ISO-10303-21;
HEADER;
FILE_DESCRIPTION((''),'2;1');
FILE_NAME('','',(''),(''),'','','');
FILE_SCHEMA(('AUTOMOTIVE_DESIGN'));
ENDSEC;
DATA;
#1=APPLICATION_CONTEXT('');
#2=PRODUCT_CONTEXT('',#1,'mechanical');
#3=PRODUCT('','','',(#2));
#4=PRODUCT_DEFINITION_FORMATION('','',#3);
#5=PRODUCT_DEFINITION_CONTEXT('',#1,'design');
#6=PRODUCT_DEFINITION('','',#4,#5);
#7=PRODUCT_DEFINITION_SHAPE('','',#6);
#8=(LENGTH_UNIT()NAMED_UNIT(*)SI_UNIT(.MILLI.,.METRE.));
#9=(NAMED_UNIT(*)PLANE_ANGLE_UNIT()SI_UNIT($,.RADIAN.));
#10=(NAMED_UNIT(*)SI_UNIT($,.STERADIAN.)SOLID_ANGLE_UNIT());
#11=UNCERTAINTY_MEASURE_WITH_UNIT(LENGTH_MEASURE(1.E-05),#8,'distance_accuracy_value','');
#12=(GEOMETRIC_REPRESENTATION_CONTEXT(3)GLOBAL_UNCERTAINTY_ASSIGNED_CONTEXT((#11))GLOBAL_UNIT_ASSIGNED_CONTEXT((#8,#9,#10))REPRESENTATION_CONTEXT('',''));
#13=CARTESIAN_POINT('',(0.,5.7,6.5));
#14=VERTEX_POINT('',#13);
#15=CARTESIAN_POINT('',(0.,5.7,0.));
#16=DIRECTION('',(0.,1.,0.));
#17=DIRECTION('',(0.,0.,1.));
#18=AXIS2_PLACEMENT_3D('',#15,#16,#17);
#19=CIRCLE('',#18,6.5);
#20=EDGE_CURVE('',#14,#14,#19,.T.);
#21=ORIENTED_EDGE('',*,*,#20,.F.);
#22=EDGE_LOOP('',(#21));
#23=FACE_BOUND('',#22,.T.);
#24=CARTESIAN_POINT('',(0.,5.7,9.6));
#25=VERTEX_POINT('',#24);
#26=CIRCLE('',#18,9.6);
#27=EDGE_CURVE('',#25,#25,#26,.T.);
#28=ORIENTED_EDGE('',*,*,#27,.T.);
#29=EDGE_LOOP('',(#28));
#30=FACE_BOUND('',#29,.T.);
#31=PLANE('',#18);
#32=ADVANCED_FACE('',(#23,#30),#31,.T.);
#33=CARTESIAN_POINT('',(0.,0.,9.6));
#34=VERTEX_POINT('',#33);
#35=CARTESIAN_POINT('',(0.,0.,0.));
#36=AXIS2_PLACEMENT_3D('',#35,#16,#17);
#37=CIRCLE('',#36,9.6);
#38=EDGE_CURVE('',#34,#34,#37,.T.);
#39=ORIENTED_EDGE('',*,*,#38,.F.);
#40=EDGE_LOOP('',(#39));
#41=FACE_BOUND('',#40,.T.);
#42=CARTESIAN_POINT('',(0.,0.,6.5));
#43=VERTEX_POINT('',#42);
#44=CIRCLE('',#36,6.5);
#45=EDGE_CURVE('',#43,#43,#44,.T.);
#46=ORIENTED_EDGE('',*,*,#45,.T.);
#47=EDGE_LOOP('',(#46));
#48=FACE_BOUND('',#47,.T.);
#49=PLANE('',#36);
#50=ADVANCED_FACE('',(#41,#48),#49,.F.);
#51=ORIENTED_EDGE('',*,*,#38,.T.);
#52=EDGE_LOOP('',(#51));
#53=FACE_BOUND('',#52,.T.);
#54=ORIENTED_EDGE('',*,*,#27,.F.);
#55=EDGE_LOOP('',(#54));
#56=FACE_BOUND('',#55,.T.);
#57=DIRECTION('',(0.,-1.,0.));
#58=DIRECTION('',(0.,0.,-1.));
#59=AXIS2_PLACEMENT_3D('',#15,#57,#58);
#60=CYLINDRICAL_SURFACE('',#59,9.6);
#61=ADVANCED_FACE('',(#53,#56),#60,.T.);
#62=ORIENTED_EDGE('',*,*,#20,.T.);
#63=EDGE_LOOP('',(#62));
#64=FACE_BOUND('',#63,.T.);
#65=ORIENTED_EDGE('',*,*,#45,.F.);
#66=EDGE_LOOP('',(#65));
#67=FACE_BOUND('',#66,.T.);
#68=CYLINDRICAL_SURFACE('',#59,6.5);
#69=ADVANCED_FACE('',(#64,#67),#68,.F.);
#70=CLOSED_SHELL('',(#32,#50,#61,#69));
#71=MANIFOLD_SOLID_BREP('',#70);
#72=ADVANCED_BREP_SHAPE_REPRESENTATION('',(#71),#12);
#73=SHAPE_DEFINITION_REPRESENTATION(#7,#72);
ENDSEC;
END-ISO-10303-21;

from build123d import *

# Parameters (mm, degrees)
SKETCH1_R           = 9.6
SKETCH1_R_2         = 6.5
BOSS_EXTRUDE1_DEPTH = 5.7


with BuildPart() as part:
    # Sketch1 → Boss-Extrude1 (new body)
    with BuildSketch(Plane(origin=(0, 0, 0), x_dir=(1, 0, 0), z_dir=(0, 1, 0))):
        Circle(SKETCH1_R)
        Circle(SKETCH1_R_2, mode=Mode.SUBTRACT)
    extrude(amount=BOSS_EXTRUDE1_DEPTH)


solid = part.part
